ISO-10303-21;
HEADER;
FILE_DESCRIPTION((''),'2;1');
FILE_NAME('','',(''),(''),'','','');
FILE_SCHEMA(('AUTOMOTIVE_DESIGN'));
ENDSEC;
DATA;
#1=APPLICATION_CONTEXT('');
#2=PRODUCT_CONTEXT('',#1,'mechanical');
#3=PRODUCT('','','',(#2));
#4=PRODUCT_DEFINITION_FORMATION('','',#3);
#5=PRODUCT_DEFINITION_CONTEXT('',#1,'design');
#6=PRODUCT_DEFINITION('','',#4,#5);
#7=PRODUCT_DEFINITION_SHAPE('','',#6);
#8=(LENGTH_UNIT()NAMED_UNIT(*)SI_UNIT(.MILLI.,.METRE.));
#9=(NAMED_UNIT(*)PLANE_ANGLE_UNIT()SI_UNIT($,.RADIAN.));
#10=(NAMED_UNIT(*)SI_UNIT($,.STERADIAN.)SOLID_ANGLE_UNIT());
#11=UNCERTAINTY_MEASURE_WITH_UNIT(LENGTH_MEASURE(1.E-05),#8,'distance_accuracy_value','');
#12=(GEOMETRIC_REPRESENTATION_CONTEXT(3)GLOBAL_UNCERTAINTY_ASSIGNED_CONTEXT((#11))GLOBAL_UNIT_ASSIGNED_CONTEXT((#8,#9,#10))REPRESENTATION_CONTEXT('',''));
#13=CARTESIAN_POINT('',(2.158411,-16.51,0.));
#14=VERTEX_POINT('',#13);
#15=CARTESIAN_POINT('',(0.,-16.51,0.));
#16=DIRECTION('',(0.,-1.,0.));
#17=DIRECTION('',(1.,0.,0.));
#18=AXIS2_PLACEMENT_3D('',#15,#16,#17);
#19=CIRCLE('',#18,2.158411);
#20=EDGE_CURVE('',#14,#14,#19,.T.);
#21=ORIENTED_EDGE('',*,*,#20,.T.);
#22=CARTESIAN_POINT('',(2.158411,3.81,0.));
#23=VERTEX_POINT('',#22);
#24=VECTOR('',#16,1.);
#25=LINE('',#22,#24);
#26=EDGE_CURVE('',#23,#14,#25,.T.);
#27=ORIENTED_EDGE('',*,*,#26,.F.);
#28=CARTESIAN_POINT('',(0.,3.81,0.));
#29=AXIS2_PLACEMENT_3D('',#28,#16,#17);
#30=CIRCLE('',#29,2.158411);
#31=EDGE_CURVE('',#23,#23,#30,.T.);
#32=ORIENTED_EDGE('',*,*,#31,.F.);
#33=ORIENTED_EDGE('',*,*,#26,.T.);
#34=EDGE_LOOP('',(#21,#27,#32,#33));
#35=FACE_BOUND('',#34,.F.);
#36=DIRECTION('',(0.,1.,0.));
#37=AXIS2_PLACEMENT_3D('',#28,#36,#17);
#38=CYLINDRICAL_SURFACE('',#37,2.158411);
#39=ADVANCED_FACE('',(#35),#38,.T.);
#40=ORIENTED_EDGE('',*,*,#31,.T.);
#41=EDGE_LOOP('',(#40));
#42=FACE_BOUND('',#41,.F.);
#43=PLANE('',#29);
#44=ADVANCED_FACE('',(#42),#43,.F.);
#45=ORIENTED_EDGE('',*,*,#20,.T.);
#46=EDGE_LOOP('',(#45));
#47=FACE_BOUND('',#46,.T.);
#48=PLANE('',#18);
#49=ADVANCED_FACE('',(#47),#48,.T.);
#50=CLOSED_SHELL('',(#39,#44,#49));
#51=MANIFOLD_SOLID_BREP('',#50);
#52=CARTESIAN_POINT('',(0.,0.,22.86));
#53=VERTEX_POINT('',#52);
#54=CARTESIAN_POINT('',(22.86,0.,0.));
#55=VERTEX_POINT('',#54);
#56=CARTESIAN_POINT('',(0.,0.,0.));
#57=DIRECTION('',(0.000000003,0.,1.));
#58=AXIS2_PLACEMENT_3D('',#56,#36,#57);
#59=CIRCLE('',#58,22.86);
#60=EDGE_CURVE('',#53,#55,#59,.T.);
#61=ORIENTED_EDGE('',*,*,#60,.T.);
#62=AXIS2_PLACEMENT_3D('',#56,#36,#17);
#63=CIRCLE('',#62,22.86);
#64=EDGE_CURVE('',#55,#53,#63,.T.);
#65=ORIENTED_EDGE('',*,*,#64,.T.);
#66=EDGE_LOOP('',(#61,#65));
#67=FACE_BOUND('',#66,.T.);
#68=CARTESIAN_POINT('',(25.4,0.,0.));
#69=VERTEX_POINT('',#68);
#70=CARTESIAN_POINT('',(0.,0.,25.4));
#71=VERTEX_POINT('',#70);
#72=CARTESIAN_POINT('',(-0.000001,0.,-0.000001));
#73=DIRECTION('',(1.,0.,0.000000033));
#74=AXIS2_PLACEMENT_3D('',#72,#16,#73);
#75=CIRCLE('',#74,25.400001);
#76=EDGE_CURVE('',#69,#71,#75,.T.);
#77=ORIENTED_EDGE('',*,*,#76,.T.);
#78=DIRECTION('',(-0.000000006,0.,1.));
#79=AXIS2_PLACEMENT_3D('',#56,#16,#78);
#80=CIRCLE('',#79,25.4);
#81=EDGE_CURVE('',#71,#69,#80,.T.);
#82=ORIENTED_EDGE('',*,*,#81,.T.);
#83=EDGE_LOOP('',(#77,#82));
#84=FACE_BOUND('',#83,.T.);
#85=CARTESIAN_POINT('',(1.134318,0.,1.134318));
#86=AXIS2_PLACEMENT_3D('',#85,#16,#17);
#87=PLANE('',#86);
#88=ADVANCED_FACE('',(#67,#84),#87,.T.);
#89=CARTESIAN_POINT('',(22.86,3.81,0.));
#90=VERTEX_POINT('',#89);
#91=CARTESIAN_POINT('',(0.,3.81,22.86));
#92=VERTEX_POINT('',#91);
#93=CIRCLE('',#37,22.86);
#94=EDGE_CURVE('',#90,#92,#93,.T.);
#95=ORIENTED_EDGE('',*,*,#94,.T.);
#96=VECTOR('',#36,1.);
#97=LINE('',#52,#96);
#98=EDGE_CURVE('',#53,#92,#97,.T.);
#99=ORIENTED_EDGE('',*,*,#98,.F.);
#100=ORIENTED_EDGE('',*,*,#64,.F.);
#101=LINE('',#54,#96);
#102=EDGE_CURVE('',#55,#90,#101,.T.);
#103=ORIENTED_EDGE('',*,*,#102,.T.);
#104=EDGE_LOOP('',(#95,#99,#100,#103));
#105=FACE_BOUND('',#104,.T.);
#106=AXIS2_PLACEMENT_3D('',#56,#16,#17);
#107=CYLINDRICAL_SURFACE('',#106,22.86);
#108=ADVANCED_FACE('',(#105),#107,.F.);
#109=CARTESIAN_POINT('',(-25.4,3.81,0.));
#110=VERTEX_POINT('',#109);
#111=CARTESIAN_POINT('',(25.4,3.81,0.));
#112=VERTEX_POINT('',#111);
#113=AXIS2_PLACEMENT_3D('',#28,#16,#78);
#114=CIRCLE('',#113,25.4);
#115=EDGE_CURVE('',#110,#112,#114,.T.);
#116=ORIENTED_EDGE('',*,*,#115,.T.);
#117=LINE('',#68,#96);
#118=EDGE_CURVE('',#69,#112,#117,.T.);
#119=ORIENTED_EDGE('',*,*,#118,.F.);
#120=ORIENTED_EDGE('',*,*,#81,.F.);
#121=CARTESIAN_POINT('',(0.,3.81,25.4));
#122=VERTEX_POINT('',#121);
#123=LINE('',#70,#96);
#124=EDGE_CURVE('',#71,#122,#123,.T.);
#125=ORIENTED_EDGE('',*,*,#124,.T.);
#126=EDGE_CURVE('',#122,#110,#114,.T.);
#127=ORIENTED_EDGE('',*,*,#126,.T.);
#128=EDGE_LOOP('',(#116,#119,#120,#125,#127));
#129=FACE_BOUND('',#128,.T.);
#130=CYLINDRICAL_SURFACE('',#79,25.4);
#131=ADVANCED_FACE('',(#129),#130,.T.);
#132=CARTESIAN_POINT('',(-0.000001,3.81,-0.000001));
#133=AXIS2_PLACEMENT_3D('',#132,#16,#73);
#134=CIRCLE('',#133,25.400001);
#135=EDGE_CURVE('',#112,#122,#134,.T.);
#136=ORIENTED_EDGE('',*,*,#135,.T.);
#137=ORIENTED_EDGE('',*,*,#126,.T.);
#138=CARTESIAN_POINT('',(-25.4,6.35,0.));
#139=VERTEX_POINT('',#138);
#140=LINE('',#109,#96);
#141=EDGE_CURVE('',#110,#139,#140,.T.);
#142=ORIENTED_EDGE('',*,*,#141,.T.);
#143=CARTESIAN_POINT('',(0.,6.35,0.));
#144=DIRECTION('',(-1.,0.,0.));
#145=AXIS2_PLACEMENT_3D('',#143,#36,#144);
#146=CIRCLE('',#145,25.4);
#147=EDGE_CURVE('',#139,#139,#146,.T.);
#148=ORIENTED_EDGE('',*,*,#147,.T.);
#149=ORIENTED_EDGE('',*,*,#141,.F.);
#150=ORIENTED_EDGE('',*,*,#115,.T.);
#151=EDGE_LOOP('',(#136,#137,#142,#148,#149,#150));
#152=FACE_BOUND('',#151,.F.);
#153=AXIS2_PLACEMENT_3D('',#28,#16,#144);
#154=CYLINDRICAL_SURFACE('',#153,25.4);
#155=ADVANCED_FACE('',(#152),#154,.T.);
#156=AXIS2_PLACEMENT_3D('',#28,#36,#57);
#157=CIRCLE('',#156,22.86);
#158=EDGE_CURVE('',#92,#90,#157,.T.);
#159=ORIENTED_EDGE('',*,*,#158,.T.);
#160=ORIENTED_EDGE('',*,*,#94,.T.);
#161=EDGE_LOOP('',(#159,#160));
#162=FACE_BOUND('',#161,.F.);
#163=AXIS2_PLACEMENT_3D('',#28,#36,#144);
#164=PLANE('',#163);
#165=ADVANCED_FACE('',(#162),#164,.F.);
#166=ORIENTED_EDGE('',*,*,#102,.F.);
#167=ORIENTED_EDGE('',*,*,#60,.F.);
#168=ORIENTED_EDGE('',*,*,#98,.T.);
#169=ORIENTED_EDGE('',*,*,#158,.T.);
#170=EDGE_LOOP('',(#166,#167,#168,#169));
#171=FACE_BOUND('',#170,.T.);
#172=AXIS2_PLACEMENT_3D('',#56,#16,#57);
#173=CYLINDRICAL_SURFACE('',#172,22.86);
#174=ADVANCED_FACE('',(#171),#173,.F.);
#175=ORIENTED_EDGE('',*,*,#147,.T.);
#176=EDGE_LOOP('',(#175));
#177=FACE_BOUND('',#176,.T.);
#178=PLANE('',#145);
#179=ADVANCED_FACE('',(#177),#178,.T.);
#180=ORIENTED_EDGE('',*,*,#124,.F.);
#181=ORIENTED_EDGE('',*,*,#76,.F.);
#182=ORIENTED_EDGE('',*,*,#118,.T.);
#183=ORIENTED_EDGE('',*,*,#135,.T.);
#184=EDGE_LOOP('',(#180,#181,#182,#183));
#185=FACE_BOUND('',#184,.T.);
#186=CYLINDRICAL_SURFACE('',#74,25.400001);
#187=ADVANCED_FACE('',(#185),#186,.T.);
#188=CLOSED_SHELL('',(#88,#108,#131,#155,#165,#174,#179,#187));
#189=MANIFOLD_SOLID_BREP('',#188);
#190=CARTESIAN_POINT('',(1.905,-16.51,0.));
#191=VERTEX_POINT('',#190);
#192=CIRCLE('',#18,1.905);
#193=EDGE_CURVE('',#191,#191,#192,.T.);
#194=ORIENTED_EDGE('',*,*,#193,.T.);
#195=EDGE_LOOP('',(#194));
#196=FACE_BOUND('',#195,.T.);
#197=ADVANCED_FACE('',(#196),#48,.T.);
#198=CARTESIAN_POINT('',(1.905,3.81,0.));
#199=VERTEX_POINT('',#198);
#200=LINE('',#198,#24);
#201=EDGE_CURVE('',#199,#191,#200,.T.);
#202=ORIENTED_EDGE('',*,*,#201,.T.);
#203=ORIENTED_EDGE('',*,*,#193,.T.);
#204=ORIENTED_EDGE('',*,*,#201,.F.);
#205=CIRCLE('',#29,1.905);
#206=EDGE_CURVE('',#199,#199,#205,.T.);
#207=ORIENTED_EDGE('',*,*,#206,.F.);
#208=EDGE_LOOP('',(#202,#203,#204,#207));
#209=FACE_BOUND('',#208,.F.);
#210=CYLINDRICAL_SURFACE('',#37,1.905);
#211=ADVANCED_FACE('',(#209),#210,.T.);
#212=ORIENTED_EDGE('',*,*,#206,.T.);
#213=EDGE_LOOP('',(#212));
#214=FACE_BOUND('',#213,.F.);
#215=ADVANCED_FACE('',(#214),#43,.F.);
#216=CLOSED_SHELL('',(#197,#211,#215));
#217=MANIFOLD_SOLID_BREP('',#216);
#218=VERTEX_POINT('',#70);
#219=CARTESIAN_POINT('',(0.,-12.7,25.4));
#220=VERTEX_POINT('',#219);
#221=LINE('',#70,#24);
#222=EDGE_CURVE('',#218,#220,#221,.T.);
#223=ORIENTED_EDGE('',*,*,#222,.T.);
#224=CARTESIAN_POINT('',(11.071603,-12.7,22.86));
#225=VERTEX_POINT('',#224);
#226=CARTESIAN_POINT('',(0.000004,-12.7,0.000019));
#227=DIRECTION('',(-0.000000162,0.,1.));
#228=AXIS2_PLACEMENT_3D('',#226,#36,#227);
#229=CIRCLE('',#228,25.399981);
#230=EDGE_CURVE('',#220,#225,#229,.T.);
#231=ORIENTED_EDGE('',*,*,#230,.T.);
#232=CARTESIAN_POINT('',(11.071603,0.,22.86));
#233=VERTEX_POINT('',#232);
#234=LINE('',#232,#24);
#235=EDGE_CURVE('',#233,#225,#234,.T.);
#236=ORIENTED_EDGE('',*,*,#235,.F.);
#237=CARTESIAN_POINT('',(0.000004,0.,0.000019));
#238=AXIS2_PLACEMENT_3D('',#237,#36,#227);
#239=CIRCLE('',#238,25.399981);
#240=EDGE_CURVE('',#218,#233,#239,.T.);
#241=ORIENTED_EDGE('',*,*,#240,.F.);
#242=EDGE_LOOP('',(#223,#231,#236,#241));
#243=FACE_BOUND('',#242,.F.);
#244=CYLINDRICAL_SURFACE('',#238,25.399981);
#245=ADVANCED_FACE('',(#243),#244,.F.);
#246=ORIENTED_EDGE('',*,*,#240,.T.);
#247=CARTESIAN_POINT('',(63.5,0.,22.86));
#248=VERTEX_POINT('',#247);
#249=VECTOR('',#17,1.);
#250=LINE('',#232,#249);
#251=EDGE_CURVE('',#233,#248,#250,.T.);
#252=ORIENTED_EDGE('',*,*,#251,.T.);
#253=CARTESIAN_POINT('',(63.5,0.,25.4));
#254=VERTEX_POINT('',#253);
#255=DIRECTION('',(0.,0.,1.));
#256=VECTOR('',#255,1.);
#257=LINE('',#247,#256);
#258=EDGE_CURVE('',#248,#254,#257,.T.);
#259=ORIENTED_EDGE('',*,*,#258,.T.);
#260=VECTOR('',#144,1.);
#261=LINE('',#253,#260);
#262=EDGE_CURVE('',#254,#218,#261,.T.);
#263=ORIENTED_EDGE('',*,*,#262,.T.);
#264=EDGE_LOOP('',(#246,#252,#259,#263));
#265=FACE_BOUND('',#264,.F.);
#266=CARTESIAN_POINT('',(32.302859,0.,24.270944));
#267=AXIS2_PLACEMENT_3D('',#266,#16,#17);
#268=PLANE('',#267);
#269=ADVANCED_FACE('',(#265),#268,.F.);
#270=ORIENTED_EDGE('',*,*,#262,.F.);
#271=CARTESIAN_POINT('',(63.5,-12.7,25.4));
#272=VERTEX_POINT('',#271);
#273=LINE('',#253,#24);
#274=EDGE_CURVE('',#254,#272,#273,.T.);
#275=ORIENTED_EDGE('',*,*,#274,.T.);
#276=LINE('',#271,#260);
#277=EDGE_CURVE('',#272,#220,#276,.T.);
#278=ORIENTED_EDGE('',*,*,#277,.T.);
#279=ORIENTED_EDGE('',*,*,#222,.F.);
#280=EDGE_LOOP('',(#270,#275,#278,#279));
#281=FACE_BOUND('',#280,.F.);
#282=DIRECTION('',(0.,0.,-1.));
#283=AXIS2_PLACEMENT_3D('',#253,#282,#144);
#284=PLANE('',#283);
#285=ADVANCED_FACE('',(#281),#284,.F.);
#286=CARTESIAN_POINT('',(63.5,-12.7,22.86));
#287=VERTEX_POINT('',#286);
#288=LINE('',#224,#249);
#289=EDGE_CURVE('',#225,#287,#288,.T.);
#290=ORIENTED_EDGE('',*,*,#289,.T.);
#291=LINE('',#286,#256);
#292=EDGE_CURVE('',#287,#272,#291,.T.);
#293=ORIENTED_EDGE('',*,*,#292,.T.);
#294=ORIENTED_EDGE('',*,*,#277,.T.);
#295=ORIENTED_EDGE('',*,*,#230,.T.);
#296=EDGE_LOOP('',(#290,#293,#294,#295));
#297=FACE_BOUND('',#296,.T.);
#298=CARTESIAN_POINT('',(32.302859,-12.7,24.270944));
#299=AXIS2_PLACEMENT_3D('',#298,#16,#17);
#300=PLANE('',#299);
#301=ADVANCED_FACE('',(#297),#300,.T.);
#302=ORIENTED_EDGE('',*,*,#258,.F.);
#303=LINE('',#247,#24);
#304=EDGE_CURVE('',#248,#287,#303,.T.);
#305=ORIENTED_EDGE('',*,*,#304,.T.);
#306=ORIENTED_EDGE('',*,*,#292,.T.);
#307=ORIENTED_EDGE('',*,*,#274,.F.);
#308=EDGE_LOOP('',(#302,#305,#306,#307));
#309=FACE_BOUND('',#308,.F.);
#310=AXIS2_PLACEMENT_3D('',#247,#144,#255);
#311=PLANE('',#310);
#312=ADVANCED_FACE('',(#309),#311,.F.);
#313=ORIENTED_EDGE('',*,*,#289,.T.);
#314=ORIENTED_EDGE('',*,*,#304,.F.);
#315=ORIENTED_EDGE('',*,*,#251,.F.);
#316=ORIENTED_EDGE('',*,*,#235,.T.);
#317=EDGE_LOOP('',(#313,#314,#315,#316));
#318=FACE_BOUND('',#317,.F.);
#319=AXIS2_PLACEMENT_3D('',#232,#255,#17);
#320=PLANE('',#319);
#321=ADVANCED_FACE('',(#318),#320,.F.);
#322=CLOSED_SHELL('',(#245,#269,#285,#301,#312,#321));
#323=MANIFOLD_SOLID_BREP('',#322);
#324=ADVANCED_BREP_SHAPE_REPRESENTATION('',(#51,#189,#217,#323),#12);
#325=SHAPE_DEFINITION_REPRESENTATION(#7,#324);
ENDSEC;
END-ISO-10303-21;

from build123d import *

# Parameters (mm, degrees)
F1_DEPTH = 3.81
F2_R     = 25.4
F3_DEPTH = 2.54
F5_DEPTH = 12.7
F6_R     = 1.905
F7_DEPTH = 20.32
F8_R     = 2.158411
F9_DEPTH = 20.32


with BuildPart() as f1:
    # F0 (on Front) → F1 (new body)
    with BuildSketch(Plane.XZ):
        with BuildLine():
            ThreePointArc((0, 25.4), (-17.960512, -17.960512), (25.4, 0))
            ThreePointArc((25.4, 0), (17.960512, 17.960512), (0, 25.4))
        make_face()
        with BuildLine():
            ThreePointArc((22.86, 0), (-16.164461, -16.164461), (0, 22.86))
            ThreePointArc((0, 22.86), (16.164461, 16.164461), (22.86, 0))
        make_face(mode=Mode.SUBTRACT)
    extrude(amount=-F1_DEPTH)

    # F2 (on face) → F3 (join)
    with BuildSketch(Plane(origin=(0, 3.81, 0), x_dir=(-1, 0, 0), z_dir=(0, 1, 0))):
        Circle(F2_R)
    extrude(amount=F3_DEPTH)


with BuildPart() as f5:
    # F4 (on face) → F5 (new body)
    with BuildSketch(Plane.XZ):
        with BuildLine():
            Line((63.5, 25.4), (0, 25.4))
            ThreePointArc((0, 25.4), (5.679613, 24.756858), (11.071603, 22.86))
            Line((11.071603, 22.86), (63.5, 22.86))
            Line((63.5, 22.86), (63.5, 25.4))
        make_face()
    extrude(amount=F5_DEPTH)


with BuildPart() as f7:
    # F6 (on face) → F7 (new body)
    with BuildSketch(Plane.XZ.offset(-3.81)):
        Circle(F6_R)
    extrude(amount=F7_DEPTH)


with BuildPart() as f9:
    # F8 (on face) → F9 (new body)
    with BuildSketch(Plane.XZ.offset(-3.81)):
        Circle(F8_R)
    extrude(amount=F9_DEPTH)


solid = Compound([f1.part, f5.part, f7.part, f9.part])
